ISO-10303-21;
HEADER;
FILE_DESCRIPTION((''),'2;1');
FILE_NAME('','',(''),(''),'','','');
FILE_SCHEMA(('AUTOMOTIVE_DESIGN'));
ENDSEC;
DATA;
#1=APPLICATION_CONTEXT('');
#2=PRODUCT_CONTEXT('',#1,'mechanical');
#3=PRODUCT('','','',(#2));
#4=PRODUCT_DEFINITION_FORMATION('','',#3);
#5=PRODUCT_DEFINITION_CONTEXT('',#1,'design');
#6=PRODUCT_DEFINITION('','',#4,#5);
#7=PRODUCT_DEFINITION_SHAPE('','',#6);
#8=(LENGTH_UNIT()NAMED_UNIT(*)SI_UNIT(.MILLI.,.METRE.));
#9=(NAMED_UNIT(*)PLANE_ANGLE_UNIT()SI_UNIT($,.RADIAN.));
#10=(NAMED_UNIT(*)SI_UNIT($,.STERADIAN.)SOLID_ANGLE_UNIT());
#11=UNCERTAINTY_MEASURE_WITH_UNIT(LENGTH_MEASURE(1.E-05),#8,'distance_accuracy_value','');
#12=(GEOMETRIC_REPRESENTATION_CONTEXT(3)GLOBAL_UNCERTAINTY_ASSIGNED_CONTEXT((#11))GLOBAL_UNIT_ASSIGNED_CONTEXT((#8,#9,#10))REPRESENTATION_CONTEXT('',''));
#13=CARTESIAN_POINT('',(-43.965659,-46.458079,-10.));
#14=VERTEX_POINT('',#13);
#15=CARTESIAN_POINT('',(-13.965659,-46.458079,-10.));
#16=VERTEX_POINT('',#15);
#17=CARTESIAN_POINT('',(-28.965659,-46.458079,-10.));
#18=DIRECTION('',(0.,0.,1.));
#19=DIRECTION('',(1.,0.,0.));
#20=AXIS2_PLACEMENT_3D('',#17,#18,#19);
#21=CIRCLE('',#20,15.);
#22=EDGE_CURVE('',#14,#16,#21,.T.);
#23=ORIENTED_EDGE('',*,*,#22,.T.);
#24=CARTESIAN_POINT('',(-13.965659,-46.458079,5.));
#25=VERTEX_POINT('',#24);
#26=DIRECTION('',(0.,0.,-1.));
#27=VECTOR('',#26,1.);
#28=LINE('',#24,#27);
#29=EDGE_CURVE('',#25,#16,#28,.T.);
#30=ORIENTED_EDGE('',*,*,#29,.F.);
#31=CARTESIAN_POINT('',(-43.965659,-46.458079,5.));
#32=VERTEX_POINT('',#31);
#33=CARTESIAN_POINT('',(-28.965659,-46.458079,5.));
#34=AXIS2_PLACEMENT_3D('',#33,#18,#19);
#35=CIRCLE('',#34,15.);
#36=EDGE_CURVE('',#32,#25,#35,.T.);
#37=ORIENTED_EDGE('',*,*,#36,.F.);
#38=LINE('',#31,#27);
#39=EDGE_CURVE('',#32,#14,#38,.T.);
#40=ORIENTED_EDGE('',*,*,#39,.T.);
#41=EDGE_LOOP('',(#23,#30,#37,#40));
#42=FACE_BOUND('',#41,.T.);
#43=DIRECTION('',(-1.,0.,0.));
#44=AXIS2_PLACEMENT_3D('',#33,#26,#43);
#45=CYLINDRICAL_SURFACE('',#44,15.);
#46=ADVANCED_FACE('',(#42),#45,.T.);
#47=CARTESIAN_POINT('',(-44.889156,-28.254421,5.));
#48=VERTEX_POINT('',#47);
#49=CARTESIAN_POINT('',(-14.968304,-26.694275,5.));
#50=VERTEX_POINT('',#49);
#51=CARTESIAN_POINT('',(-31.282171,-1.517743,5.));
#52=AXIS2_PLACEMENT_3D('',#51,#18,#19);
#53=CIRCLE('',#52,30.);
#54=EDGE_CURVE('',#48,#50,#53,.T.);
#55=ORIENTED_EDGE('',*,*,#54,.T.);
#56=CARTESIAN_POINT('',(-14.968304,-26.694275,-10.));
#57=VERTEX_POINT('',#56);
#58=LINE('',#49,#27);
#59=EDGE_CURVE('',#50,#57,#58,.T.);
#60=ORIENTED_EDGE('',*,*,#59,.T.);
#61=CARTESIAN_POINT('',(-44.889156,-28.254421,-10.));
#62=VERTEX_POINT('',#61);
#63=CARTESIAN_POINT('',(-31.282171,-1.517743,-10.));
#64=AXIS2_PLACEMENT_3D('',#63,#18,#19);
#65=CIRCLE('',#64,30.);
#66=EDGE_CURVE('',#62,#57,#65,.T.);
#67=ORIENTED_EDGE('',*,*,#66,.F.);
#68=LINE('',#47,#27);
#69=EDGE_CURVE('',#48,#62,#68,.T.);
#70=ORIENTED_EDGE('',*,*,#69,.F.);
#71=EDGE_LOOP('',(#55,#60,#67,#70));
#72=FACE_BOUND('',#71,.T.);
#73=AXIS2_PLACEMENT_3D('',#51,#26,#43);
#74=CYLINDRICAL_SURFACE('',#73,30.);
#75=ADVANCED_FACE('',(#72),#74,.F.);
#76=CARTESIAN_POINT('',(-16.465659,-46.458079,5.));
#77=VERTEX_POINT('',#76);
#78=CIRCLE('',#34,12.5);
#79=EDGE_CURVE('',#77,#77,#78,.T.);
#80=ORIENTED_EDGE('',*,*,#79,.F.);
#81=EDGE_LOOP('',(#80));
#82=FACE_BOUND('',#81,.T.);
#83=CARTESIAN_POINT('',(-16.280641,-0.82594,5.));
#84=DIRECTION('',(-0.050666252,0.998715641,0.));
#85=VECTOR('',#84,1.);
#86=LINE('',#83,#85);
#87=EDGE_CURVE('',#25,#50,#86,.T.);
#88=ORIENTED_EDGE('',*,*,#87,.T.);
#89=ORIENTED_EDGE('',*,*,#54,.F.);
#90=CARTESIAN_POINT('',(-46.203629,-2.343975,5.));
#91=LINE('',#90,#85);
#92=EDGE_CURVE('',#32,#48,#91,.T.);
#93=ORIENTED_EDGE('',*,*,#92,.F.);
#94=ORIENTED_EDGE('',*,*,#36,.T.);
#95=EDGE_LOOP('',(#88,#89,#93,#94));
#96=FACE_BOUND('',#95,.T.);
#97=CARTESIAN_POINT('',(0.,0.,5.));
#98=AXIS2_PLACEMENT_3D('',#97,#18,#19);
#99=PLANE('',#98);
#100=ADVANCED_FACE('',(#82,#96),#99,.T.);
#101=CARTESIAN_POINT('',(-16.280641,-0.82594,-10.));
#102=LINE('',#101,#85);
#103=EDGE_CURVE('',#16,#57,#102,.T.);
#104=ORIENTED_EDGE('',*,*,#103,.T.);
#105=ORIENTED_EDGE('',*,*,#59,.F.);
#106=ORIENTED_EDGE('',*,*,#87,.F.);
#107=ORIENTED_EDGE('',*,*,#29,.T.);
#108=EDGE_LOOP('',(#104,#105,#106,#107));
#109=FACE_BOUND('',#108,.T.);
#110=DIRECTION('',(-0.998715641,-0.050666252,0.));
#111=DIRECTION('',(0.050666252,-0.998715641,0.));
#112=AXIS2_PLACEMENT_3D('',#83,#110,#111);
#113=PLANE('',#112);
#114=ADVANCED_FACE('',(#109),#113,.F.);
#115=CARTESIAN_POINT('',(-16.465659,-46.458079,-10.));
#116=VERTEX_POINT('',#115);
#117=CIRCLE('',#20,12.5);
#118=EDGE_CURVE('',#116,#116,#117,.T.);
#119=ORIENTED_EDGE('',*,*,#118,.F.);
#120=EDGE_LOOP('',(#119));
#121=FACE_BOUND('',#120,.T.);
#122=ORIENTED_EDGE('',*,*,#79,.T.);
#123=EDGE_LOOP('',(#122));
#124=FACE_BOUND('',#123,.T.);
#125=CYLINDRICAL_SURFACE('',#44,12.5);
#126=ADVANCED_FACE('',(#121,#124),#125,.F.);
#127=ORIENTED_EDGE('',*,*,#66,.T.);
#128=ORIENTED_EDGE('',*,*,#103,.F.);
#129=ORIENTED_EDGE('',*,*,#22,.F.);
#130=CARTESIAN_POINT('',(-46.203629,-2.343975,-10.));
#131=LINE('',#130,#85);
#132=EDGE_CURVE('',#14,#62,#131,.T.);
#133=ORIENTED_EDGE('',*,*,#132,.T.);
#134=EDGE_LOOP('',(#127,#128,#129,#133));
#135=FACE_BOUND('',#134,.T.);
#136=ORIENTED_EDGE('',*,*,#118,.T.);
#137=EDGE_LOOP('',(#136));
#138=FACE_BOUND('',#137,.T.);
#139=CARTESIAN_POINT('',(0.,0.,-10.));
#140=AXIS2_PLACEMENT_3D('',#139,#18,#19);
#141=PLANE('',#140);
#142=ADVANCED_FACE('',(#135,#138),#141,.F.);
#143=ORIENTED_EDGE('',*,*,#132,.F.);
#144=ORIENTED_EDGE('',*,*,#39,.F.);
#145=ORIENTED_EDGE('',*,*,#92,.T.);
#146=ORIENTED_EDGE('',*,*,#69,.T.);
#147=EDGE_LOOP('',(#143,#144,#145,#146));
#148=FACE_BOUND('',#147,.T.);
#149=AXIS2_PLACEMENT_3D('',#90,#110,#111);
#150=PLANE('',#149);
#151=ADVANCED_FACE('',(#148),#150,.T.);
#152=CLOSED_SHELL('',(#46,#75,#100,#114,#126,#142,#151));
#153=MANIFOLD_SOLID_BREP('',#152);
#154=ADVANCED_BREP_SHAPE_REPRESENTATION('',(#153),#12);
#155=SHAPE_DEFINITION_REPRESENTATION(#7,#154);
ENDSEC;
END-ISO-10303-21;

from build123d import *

# Parameters (mm, degrees)
BOSS_EXTRUDE1_DEPTH      = 5
BOSS_EXTRUDE1_DEPTH_BACK = 10
SKETCH1_R                = 12.5


with BuildPart() as part:
    # Sketch1 → Boss-Extrude1 (new, two sides: drawn at the far end of the back side and taken through both)
    with BuildSketch(Plane.XY.offset(-BOSS_EXTRUDE1_DEPTH_BACK)):
        with BuildLine():
            Line((-44.88915592, -28.254421038), (-43.965658713, -46.45807859))
            ThreePointArc((-43.965658713, -46.45807859), (-28.965658713, -61.45807859), (-13.965658713, -46.45807859))
            Line((-13.965658713, -46.45807859), (-14.042670787, -44.940043234))
            Line((-14.042670787, -44.940043234), (-14.968304337, -26.694274815))
            ThreePointArc((-14.968304337, -26.694274815), (-29.72001982, -31.477043366), (-44.88915592, -28.254421038))
        make_face()
        with Locations((-28.965658713, -46.45807859)):
            Circle(SKETCH1_R, mode=Mode.SUBTRACT)
    extrude(amount=BOSS_EXTRUDE1_DEPTH + BOSS_EXTRUDE1_DEPTH_BACK)


solid = part.part
